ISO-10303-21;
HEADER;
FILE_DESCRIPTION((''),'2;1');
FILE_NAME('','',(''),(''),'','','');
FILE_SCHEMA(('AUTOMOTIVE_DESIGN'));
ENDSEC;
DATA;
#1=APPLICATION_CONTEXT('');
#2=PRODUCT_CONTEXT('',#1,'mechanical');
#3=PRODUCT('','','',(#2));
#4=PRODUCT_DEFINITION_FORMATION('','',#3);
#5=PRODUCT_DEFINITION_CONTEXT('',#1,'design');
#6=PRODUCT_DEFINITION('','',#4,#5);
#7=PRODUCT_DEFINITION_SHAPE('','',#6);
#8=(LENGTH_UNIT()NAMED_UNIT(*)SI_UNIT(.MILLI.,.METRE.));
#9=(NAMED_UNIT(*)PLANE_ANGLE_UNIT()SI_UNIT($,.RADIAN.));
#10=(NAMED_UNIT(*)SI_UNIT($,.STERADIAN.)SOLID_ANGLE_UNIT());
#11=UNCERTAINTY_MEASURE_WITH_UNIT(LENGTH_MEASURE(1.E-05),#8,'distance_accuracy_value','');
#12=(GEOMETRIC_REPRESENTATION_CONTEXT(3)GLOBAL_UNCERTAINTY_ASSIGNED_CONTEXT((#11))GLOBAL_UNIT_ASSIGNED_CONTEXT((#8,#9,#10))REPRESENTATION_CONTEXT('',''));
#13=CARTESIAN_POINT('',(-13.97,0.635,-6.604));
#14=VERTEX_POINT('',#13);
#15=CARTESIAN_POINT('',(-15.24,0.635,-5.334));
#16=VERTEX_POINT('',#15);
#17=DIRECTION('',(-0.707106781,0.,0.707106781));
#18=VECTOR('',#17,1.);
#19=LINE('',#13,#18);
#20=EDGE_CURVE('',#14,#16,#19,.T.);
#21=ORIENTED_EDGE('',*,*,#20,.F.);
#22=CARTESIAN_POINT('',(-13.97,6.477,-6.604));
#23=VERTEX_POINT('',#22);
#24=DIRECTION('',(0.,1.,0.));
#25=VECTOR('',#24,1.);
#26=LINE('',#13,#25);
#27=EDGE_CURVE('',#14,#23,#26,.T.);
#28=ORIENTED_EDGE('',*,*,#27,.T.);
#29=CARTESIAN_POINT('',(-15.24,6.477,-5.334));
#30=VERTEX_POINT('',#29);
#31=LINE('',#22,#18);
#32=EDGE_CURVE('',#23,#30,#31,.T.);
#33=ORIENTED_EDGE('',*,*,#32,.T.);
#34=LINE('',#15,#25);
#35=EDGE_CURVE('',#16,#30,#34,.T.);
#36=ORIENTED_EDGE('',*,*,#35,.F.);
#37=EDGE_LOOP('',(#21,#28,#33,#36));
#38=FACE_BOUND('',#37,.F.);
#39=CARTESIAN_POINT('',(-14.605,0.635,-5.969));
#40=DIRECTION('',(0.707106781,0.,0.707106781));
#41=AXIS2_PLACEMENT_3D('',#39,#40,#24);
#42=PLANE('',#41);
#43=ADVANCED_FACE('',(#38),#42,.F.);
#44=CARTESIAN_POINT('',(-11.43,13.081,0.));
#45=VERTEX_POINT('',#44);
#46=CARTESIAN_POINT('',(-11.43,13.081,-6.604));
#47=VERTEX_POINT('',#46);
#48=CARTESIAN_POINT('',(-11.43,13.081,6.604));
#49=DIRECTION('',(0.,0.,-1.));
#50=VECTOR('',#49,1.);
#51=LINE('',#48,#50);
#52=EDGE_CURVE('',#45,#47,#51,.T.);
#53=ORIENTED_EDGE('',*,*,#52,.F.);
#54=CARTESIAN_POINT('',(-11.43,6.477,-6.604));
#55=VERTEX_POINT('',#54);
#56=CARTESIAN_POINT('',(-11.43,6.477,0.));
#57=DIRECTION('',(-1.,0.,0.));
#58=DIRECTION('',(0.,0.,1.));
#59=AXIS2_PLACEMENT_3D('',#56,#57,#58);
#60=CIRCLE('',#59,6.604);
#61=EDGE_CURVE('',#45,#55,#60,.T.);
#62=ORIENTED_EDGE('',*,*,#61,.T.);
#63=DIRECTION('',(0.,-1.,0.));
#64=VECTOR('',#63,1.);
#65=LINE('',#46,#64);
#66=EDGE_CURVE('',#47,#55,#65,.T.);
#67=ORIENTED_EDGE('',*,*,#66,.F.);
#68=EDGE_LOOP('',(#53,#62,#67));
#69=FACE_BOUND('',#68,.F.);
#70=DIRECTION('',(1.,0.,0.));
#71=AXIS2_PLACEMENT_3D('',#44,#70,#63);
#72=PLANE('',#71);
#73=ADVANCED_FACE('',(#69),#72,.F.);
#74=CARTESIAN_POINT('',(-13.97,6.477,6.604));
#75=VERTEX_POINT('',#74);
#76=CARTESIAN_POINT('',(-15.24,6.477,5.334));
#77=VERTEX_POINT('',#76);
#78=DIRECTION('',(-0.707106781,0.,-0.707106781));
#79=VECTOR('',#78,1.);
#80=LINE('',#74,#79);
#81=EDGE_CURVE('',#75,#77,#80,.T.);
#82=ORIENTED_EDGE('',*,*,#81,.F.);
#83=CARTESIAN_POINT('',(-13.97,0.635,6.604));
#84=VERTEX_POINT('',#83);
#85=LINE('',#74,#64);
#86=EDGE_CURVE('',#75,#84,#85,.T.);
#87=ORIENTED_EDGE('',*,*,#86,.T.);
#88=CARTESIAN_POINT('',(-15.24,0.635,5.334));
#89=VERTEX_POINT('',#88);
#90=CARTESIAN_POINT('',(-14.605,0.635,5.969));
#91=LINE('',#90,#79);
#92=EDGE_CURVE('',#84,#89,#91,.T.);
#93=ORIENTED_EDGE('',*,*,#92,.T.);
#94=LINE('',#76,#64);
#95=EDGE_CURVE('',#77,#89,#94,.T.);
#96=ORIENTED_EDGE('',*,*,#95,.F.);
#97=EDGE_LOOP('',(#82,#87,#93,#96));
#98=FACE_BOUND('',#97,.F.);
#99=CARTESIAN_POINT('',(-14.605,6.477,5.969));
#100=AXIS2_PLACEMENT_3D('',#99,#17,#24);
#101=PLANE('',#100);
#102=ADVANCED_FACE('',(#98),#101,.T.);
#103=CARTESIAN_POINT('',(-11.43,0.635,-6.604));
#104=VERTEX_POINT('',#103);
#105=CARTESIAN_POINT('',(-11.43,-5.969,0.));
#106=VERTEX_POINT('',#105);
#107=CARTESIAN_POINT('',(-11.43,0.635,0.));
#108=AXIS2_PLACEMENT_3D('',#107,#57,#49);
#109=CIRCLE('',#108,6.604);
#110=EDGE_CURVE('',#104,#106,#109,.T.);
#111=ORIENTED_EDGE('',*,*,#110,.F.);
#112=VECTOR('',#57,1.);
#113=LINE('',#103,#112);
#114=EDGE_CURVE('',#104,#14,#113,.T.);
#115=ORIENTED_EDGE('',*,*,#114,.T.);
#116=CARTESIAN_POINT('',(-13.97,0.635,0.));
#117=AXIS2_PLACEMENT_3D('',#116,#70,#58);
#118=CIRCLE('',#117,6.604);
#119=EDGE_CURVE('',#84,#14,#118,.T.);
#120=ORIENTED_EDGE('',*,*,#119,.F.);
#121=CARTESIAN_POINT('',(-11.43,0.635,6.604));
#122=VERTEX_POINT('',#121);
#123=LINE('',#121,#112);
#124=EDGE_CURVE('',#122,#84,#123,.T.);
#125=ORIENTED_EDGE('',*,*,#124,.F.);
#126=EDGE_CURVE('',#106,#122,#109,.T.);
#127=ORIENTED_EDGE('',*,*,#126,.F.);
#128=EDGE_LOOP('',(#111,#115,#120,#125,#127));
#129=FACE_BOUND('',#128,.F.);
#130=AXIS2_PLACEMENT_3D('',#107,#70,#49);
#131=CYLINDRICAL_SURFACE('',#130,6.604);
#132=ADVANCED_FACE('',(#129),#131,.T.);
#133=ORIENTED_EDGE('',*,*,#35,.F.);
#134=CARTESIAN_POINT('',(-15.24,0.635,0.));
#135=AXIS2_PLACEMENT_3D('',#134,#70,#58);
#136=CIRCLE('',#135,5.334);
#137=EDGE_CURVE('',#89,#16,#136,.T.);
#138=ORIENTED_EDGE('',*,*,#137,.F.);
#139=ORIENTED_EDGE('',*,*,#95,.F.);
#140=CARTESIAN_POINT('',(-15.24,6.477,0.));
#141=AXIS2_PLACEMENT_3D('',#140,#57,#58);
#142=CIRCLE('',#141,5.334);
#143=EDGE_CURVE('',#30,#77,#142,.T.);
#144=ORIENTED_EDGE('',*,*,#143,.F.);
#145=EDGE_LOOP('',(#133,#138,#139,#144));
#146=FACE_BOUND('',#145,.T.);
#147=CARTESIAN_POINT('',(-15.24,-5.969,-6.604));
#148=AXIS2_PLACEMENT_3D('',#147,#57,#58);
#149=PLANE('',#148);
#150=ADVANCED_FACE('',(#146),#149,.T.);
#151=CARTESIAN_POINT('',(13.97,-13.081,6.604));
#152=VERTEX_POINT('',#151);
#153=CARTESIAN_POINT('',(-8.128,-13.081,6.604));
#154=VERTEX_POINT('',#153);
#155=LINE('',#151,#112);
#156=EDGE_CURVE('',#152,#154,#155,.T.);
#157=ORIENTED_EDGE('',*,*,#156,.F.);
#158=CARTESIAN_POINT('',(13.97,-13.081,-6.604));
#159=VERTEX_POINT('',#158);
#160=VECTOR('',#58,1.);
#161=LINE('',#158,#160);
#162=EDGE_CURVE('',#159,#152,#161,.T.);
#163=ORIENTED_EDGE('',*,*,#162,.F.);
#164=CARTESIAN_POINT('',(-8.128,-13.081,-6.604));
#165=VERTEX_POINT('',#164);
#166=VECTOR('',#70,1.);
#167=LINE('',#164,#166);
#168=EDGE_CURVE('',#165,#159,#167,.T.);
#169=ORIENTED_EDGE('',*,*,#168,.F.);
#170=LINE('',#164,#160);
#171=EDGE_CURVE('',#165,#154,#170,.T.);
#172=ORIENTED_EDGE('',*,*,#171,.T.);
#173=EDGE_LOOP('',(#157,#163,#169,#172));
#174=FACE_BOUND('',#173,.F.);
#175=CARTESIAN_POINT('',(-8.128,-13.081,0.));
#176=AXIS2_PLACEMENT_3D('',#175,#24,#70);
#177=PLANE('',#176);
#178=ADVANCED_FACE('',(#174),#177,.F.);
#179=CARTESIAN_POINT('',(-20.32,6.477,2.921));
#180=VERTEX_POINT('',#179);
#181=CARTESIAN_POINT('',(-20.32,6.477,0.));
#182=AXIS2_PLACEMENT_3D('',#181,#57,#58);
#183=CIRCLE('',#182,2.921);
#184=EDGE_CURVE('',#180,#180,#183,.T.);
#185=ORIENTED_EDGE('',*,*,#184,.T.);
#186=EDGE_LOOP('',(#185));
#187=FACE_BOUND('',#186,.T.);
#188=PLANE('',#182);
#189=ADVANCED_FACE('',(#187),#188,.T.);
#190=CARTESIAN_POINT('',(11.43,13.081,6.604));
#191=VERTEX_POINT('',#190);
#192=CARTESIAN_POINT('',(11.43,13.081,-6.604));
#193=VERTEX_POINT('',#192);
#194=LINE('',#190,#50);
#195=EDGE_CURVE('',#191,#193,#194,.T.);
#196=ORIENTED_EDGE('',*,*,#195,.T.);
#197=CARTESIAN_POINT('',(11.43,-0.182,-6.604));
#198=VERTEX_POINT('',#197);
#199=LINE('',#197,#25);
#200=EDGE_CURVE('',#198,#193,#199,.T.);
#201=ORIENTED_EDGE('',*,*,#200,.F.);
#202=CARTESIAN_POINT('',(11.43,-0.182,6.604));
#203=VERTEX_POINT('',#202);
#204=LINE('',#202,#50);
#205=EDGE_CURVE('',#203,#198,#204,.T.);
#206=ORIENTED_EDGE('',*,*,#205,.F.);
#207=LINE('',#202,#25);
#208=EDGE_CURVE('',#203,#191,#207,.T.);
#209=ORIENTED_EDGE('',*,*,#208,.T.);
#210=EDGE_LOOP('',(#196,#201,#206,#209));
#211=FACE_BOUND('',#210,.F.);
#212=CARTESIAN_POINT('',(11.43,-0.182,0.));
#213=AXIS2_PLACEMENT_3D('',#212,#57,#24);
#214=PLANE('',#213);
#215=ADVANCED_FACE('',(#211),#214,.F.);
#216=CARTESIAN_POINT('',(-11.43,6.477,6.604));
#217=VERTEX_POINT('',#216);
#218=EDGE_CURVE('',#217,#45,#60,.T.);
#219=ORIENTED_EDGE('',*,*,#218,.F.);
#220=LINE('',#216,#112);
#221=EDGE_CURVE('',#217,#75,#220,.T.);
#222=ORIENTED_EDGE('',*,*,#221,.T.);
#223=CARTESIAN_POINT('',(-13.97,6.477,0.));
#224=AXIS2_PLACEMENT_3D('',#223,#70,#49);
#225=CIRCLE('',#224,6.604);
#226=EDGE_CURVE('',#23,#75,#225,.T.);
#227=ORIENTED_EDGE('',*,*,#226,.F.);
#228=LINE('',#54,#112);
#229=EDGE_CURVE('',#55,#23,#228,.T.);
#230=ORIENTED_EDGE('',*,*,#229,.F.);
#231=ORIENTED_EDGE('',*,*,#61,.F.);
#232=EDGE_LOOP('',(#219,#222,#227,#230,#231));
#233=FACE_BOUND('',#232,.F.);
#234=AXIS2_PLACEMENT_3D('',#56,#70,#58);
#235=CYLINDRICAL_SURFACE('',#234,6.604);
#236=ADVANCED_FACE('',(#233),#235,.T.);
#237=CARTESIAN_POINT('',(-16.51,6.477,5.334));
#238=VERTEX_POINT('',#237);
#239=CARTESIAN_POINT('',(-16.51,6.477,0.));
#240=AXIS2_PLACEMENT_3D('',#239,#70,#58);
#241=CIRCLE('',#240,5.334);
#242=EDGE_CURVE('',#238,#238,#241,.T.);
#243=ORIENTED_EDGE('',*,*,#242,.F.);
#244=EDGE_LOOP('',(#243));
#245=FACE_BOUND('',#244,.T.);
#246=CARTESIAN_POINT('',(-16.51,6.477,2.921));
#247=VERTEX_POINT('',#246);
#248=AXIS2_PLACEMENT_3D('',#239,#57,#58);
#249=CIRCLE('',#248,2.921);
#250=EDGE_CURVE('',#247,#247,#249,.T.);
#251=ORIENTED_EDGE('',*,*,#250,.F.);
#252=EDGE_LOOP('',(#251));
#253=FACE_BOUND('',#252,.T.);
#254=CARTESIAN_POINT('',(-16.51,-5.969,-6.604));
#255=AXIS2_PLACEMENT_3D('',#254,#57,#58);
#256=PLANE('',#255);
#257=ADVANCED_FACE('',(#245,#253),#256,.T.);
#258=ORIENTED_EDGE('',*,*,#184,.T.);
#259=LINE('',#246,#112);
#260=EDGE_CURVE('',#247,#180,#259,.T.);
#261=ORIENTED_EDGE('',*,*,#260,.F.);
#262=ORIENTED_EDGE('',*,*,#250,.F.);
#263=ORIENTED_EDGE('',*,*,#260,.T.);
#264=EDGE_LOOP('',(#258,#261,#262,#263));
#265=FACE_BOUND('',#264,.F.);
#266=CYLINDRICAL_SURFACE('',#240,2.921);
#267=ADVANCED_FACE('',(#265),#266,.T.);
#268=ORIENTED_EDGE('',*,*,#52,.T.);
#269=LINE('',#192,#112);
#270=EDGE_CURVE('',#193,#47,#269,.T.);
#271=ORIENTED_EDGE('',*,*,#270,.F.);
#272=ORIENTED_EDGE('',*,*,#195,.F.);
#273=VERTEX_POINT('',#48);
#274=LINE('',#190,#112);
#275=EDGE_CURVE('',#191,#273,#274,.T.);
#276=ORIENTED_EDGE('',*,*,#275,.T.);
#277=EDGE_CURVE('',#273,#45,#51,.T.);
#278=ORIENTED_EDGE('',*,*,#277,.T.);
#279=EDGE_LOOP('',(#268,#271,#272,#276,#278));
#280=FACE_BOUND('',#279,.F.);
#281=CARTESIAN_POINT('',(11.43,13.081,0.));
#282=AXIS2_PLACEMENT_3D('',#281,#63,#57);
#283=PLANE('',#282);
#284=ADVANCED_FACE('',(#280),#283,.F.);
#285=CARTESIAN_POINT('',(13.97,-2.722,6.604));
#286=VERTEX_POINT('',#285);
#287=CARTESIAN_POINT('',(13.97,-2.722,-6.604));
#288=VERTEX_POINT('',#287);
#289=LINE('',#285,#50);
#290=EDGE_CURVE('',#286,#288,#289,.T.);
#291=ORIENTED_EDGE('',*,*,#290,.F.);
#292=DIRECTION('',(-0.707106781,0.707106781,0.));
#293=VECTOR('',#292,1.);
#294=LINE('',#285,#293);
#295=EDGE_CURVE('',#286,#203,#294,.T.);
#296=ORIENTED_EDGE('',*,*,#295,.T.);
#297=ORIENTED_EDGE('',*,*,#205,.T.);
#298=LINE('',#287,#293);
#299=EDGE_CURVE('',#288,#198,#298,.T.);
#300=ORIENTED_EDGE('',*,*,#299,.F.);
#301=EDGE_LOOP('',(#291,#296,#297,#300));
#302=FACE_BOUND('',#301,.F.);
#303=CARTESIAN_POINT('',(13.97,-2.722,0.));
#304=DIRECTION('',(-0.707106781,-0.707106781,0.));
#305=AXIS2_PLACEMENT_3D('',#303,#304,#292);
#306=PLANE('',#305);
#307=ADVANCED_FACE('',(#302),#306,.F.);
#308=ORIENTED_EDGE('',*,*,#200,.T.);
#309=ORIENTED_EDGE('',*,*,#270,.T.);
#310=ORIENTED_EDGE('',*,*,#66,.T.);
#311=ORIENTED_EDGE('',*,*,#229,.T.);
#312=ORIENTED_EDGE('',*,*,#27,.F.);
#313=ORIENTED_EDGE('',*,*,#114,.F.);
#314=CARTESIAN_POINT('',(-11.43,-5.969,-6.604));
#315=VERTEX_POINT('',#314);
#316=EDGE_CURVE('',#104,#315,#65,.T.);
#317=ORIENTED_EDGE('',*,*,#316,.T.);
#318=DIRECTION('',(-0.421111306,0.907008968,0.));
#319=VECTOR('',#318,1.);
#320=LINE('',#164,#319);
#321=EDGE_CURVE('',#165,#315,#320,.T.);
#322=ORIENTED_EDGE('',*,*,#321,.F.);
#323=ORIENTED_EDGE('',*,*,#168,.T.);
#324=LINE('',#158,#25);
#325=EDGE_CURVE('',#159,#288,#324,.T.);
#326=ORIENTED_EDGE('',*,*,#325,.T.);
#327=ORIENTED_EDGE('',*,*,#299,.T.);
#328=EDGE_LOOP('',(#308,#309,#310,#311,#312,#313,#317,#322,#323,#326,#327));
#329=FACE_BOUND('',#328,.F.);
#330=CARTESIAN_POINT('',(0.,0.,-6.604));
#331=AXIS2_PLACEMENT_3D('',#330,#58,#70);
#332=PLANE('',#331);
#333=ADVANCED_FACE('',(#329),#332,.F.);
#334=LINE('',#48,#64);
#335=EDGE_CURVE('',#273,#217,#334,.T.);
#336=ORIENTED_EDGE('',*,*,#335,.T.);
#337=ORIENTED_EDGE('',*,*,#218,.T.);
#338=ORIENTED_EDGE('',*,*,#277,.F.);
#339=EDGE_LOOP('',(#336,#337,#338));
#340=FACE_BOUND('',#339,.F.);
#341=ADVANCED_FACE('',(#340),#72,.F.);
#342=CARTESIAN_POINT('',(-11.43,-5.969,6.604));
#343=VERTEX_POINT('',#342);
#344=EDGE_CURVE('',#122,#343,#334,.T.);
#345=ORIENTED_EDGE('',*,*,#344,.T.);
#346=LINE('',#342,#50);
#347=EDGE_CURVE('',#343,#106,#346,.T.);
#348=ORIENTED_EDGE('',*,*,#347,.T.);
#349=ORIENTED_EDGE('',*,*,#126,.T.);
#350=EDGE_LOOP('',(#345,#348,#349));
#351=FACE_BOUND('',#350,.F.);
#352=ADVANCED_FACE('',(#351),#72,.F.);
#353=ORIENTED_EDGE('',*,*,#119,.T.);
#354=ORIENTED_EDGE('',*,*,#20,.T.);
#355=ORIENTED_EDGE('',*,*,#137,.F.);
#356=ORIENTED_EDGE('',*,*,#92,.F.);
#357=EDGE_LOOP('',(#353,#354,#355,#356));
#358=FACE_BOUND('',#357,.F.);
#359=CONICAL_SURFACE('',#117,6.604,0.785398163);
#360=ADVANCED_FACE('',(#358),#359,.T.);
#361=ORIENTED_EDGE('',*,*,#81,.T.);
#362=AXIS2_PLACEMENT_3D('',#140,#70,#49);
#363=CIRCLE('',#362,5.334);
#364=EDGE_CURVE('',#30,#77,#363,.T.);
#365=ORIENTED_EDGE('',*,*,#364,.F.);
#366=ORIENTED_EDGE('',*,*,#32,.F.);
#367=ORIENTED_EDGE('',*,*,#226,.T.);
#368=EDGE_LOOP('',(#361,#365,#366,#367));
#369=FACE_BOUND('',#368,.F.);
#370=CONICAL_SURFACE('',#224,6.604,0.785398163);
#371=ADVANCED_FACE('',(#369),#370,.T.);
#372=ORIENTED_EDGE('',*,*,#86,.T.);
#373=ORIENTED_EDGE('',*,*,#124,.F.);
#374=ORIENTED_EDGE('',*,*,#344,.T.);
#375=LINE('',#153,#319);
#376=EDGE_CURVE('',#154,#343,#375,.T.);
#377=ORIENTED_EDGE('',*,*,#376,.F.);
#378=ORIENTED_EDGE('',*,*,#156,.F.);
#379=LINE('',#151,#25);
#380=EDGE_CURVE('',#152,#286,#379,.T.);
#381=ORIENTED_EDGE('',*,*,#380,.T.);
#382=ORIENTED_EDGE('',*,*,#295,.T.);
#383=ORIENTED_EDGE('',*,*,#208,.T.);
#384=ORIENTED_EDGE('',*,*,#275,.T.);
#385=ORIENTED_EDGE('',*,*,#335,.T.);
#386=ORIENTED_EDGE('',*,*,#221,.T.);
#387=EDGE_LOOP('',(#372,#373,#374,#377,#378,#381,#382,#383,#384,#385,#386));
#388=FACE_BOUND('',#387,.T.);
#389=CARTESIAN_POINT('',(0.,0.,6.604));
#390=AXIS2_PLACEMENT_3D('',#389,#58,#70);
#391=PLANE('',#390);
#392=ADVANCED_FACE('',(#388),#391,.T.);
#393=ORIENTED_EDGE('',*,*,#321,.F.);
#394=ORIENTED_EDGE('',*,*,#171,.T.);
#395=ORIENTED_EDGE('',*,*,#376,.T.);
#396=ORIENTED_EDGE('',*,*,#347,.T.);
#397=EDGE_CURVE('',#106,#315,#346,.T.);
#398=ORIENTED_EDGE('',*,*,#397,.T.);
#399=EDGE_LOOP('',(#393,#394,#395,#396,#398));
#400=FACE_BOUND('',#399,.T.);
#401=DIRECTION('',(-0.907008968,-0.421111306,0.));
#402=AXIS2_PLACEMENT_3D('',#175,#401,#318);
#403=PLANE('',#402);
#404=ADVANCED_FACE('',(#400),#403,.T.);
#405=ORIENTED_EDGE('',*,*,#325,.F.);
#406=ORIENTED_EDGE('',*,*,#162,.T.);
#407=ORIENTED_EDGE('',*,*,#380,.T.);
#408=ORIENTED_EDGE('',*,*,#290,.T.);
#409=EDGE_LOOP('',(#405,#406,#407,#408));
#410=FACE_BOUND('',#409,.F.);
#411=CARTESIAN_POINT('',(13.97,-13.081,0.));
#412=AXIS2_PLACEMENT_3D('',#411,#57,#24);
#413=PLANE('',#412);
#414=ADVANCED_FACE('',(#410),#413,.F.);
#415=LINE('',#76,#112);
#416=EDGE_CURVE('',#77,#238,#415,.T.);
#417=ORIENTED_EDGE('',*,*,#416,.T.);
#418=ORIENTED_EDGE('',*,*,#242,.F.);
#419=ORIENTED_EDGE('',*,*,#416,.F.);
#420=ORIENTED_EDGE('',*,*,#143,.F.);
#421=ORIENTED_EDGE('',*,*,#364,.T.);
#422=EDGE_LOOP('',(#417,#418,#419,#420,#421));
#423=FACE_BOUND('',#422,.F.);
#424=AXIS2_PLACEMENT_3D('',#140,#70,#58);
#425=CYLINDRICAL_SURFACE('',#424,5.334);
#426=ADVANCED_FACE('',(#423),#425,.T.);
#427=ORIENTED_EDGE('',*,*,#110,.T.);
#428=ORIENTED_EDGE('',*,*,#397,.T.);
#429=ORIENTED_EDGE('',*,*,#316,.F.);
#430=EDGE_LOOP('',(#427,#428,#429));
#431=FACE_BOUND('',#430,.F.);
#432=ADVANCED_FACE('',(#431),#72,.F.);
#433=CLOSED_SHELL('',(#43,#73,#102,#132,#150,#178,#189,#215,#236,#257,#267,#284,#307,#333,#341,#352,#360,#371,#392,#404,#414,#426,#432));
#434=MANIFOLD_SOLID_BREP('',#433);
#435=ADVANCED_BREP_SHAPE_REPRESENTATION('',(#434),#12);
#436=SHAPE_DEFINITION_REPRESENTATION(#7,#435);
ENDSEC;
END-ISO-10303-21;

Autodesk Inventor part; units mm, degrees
ref_plane "YZ Plane" through (0, 0, 0) normal (1, 0, 0) x (0, 1, 0)
ref_plane "XZ Plane" through (0, 0, 0) normal (0, 1, 0) x (-1, 0, 0)
ref_plane "XY Plane" through (0, 0, 0) normal (0, 0, 1) x (1, 0, 0)
sketch "Sketch1" plane through (0, 0, 0) normal (0, 0, 1) x (1, 0, 0)
  line L0 (-8.128, -13.081) -> (11.43, -13.081)
  line L1 (11.43, -0.182) -> (11.43, 13.081)
  line L2 (11.43, 13.081) -> (-11.43, 13.081)
  line L3 (-11.43, 13.081) -> (-11.43, -5.969)
  line L4 (11.43, -13.081) -> (-8.128, -13.081)
  line L5 (-8.128, -13.081) -> (-11.43, -5.969)
  line L6 (11.43, -13.081) -> (13.97, -13.081)
  line L7 (13.97, -13.081) -> (13.97, -2.722)
  line L8 (13.97, -2.722) -> (11.43, -0.182)
  point P0 (0, 0)
  point P1 (0, -13.081)
  point P2 (-11.43, 0)
  dimension "d0" = 22.86
  dimension "d1" = 26.162
  dimension "d2" = 19.558
  dimension "d3" = 7.112
  dimension "d4" = 135
  dimension "d5" = 2.54
extrude "Extrusion1" add sketch "Sketch1" along normal mid plane 13.208
sketch "Sketch2" plane through (-11.43, -5.969, -6.604) normal (-1, 0, 0) x (0, 0, 1)
  line L0 (13.208, 0) -> (13.208, 19.05) projected
  line L1 (0, 19.05) -> (13.208, 19.05) projected
  line L2 (0, 19.05) -> (0, 0) projected
  line L3 (0, 0) -> (13.208, 0) projected
  arc A0 (0, 6.604) -> (13.208, 6.604) centre (6.604, 6.604) ccw
  arc A1 (13.208, 12.446) -> (0, 12.446) centre (6.604, 12.446) ccw
  point P0 (6.604, 5.969)
extrude "Extrusion2" add sketch "Sketch2" along normal blind 3.81 contours A0 L2 A1 L0
chamfer "Chamfer1" distance 1.27 angle 45 4 edges at (-15.24, 13.081, 0) (-15.24, 3.556, 6.604) (-15.24, -5.969, 0) (-15.24, 3.556, -6.604)
sketch "Sketch4" plane through (-15.24, -5.969, -6.604) normal (-1, 0, 0) x (0, 0, 1)
  arc A0 (11.938, 12.446) -> (1.27, 12.446) centre (6.604, 12.446) ccw projected
  circle A1 centre (6.604, 12.446) radius 5.334
  point P0 (6.604, 5.969)
extrude "Extrusion3" add sketch "Sketch4" along normal blind 1.27
sketch "Sketch5" plane through (-16.51, 6.477, 0) normal (-1, 0, 0) x (0, 0, 1)
  circle A0 centre (0, 0) radius 5.334 projected
  circle A1 centre (0, 0) radius 2.921
  point P0 (0, -6.477)
  dimension "d15" = 5.842
extrude "Extrusion4" add sketch "Sketch5" along normal blind 3.81 contours A1
properties part number "Servo"
